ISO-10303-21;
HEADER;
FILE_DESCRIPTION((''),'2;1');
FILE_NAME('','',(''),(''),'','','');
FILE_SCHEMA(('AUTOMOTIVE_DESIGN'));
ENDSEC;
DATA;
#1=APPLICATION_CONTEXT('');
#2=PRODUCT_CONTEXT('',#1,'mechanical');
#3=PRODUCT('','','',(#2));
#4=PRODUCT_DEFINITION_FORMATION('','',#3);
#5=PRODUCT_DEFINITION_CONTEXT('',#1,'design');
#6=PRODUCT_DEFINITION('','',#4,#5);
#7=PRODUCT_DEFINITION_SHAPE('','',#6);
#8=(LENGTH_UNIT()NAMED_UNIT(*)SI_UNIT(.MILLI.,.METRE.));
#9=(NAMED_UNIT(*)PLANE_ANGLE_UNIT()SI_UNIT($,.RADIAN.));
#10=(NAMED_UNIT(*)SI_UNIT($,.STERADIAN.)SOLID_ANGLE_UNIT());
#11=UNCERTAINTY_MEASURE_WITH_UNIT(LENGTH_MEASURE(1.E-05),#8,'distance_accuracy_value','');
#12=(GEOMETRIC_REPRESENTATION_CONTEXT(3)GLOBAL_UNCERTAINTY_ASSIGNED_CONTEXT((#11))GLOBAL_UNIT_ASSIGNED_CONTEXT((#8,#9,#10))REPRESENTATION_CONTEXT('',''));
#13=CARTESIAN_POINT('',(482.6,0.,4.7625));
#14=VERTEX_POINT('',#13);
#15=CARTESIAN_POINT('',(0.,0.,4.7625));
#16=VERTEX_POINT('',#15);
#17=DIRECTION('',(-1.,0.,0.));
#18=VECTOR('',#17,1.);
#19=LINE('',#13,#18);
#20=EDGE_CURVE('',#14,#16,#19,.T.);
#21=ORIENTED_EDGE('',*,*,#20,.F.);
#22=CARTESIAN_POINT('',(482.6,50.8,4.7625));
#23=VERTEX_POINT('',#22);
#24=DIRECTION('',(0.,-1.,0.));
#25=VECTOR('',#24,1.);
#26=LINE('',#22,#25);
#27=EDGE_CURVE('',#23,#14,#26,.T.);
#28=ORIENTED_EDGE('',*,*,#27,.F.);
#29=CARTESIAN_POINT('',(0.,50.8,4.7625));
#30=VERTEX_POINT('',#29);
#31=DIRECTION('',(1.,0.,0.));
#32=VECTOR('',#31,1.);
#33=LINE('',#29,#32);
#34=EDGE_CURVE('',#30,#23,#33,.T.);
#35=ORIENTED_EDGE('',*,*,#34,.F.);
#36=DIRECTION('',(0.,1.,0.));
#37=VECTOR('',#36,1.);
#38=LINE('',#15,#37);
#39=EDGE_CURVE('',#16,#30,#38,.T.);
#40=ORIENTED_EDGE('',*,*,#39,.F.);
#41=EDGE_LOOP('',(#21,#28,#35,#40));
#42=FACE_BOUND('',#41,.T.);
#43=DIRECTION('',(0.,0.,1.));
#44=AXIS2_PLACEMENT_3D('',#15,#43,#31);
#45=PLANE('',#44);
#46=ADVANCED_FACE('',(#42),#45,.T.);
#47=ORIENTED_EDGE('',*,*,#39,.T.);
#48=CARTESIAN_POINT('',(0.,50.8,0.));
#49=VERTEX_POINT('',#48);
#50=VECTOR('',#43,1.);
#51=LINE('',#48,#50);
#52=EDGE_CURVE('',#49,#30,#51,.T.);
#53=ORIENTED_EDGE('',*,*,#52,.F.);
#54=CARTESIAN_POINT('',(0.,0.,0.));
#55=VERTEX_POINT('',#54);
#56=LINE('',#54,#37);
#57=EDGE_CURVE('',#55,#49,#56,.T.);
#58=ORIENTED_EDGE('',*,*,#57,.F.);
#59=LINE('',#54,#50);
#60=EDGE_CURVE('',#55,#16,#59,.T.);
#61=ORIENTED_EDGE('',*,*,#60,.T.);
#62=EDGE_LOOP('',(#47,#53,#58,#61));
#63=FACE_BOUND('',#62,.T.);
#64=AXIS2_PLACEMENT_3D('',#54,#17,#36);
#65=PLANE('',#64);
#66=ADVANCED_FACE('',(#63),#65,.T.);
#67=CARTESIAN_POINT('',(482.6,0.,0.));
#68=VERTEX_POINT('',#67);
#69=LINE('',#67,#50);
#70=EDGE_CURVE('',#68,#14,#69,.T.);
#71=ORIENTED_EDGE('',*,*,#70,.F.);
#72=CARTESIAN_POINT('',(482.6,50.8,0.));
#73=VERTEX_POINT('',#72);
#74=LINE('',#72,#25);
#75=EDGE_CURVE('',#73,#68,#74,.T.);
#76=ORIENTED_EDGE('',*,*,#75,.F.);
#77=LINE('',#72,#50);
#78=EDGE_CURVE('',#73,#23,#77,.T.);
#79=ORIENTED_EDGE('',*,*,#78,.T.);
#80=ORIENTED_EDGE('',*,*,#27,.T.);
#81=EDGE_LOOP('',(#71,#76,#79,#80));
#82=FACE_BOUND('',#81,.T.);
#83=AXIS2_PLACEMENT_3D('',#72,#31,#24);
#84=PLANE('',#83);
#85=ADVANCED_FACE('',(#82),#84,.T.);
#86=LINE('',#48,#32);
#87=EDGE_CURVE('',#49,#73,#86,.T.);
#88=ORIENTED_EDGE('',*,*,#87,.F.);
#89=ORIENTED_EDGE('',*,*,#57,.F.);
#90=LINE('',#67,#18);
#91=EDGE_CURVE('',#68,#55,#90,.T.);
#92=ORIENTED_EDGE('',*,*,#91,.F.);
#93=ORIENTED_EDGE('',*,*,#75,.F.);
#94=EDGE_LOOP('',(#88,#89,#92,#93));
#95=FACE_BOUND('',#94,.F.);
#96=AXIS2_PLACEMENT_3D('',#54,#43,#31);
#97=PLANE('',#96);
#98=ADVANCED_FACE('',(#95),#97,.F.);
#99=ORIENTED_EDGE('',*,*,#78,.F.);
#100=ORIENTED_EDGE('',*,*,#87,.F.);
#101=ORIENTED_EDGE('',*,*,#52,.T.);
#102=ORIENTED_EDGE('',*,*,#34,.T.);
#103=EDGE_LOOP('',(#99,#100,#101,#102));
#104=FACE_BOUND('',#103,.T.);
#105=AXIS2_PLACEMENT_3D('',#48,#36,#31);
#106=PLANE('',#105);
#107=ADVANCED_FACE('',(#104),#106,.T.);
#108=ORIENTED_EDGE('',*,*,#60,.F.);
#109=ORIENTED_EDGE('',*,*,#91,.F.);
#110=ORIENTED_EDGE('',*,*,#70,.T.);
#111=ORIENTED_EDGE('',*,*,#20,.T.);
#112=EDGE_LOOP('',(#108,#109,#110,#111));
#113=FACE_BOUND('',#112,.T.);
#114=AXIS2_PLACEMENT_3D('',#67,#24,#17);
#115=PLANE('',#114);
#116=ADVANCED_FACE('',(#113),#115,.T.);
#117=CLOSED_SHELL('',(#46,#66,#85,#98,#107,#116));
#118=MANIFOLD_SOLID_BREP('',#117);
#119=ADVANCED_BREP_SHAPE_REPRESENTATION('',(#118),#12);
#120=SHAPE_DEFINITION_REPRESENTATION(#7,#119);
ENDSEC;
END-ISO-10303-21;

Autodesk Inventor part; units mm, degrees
ref_plane "YZ Plane" through (0, 0, 0) normal (1, 0, 0) x (0, 1, 0)
ref_plane "XZ Plane" through (0, 0, 0) normal (0, 1, 0) x (-1, 0, 0)
ref_plane "XY Plane" through (0, 0, 0) normal (0, 0, 1) x (1, 0, 0)
sketch "Sketch1" plane through (0, 0, 0) normal (0, 0, 1) x (1, 0, 0)
  line L0 (0, 50.8) -> (482.6, 50.8)
  line L1 (482.6, 50.8) -> (482.6, 0)
  line L2 (482.6, 0) -> (0, 0)
  line L3 (0, 0) -> (0, 50.8)
  dimension "d0" = 482.6
  dimension "d1" = 50.8
extrude "Extrusion1" add sketch "Sketch1" along normal blind 4.7625
properties part number "m1"
